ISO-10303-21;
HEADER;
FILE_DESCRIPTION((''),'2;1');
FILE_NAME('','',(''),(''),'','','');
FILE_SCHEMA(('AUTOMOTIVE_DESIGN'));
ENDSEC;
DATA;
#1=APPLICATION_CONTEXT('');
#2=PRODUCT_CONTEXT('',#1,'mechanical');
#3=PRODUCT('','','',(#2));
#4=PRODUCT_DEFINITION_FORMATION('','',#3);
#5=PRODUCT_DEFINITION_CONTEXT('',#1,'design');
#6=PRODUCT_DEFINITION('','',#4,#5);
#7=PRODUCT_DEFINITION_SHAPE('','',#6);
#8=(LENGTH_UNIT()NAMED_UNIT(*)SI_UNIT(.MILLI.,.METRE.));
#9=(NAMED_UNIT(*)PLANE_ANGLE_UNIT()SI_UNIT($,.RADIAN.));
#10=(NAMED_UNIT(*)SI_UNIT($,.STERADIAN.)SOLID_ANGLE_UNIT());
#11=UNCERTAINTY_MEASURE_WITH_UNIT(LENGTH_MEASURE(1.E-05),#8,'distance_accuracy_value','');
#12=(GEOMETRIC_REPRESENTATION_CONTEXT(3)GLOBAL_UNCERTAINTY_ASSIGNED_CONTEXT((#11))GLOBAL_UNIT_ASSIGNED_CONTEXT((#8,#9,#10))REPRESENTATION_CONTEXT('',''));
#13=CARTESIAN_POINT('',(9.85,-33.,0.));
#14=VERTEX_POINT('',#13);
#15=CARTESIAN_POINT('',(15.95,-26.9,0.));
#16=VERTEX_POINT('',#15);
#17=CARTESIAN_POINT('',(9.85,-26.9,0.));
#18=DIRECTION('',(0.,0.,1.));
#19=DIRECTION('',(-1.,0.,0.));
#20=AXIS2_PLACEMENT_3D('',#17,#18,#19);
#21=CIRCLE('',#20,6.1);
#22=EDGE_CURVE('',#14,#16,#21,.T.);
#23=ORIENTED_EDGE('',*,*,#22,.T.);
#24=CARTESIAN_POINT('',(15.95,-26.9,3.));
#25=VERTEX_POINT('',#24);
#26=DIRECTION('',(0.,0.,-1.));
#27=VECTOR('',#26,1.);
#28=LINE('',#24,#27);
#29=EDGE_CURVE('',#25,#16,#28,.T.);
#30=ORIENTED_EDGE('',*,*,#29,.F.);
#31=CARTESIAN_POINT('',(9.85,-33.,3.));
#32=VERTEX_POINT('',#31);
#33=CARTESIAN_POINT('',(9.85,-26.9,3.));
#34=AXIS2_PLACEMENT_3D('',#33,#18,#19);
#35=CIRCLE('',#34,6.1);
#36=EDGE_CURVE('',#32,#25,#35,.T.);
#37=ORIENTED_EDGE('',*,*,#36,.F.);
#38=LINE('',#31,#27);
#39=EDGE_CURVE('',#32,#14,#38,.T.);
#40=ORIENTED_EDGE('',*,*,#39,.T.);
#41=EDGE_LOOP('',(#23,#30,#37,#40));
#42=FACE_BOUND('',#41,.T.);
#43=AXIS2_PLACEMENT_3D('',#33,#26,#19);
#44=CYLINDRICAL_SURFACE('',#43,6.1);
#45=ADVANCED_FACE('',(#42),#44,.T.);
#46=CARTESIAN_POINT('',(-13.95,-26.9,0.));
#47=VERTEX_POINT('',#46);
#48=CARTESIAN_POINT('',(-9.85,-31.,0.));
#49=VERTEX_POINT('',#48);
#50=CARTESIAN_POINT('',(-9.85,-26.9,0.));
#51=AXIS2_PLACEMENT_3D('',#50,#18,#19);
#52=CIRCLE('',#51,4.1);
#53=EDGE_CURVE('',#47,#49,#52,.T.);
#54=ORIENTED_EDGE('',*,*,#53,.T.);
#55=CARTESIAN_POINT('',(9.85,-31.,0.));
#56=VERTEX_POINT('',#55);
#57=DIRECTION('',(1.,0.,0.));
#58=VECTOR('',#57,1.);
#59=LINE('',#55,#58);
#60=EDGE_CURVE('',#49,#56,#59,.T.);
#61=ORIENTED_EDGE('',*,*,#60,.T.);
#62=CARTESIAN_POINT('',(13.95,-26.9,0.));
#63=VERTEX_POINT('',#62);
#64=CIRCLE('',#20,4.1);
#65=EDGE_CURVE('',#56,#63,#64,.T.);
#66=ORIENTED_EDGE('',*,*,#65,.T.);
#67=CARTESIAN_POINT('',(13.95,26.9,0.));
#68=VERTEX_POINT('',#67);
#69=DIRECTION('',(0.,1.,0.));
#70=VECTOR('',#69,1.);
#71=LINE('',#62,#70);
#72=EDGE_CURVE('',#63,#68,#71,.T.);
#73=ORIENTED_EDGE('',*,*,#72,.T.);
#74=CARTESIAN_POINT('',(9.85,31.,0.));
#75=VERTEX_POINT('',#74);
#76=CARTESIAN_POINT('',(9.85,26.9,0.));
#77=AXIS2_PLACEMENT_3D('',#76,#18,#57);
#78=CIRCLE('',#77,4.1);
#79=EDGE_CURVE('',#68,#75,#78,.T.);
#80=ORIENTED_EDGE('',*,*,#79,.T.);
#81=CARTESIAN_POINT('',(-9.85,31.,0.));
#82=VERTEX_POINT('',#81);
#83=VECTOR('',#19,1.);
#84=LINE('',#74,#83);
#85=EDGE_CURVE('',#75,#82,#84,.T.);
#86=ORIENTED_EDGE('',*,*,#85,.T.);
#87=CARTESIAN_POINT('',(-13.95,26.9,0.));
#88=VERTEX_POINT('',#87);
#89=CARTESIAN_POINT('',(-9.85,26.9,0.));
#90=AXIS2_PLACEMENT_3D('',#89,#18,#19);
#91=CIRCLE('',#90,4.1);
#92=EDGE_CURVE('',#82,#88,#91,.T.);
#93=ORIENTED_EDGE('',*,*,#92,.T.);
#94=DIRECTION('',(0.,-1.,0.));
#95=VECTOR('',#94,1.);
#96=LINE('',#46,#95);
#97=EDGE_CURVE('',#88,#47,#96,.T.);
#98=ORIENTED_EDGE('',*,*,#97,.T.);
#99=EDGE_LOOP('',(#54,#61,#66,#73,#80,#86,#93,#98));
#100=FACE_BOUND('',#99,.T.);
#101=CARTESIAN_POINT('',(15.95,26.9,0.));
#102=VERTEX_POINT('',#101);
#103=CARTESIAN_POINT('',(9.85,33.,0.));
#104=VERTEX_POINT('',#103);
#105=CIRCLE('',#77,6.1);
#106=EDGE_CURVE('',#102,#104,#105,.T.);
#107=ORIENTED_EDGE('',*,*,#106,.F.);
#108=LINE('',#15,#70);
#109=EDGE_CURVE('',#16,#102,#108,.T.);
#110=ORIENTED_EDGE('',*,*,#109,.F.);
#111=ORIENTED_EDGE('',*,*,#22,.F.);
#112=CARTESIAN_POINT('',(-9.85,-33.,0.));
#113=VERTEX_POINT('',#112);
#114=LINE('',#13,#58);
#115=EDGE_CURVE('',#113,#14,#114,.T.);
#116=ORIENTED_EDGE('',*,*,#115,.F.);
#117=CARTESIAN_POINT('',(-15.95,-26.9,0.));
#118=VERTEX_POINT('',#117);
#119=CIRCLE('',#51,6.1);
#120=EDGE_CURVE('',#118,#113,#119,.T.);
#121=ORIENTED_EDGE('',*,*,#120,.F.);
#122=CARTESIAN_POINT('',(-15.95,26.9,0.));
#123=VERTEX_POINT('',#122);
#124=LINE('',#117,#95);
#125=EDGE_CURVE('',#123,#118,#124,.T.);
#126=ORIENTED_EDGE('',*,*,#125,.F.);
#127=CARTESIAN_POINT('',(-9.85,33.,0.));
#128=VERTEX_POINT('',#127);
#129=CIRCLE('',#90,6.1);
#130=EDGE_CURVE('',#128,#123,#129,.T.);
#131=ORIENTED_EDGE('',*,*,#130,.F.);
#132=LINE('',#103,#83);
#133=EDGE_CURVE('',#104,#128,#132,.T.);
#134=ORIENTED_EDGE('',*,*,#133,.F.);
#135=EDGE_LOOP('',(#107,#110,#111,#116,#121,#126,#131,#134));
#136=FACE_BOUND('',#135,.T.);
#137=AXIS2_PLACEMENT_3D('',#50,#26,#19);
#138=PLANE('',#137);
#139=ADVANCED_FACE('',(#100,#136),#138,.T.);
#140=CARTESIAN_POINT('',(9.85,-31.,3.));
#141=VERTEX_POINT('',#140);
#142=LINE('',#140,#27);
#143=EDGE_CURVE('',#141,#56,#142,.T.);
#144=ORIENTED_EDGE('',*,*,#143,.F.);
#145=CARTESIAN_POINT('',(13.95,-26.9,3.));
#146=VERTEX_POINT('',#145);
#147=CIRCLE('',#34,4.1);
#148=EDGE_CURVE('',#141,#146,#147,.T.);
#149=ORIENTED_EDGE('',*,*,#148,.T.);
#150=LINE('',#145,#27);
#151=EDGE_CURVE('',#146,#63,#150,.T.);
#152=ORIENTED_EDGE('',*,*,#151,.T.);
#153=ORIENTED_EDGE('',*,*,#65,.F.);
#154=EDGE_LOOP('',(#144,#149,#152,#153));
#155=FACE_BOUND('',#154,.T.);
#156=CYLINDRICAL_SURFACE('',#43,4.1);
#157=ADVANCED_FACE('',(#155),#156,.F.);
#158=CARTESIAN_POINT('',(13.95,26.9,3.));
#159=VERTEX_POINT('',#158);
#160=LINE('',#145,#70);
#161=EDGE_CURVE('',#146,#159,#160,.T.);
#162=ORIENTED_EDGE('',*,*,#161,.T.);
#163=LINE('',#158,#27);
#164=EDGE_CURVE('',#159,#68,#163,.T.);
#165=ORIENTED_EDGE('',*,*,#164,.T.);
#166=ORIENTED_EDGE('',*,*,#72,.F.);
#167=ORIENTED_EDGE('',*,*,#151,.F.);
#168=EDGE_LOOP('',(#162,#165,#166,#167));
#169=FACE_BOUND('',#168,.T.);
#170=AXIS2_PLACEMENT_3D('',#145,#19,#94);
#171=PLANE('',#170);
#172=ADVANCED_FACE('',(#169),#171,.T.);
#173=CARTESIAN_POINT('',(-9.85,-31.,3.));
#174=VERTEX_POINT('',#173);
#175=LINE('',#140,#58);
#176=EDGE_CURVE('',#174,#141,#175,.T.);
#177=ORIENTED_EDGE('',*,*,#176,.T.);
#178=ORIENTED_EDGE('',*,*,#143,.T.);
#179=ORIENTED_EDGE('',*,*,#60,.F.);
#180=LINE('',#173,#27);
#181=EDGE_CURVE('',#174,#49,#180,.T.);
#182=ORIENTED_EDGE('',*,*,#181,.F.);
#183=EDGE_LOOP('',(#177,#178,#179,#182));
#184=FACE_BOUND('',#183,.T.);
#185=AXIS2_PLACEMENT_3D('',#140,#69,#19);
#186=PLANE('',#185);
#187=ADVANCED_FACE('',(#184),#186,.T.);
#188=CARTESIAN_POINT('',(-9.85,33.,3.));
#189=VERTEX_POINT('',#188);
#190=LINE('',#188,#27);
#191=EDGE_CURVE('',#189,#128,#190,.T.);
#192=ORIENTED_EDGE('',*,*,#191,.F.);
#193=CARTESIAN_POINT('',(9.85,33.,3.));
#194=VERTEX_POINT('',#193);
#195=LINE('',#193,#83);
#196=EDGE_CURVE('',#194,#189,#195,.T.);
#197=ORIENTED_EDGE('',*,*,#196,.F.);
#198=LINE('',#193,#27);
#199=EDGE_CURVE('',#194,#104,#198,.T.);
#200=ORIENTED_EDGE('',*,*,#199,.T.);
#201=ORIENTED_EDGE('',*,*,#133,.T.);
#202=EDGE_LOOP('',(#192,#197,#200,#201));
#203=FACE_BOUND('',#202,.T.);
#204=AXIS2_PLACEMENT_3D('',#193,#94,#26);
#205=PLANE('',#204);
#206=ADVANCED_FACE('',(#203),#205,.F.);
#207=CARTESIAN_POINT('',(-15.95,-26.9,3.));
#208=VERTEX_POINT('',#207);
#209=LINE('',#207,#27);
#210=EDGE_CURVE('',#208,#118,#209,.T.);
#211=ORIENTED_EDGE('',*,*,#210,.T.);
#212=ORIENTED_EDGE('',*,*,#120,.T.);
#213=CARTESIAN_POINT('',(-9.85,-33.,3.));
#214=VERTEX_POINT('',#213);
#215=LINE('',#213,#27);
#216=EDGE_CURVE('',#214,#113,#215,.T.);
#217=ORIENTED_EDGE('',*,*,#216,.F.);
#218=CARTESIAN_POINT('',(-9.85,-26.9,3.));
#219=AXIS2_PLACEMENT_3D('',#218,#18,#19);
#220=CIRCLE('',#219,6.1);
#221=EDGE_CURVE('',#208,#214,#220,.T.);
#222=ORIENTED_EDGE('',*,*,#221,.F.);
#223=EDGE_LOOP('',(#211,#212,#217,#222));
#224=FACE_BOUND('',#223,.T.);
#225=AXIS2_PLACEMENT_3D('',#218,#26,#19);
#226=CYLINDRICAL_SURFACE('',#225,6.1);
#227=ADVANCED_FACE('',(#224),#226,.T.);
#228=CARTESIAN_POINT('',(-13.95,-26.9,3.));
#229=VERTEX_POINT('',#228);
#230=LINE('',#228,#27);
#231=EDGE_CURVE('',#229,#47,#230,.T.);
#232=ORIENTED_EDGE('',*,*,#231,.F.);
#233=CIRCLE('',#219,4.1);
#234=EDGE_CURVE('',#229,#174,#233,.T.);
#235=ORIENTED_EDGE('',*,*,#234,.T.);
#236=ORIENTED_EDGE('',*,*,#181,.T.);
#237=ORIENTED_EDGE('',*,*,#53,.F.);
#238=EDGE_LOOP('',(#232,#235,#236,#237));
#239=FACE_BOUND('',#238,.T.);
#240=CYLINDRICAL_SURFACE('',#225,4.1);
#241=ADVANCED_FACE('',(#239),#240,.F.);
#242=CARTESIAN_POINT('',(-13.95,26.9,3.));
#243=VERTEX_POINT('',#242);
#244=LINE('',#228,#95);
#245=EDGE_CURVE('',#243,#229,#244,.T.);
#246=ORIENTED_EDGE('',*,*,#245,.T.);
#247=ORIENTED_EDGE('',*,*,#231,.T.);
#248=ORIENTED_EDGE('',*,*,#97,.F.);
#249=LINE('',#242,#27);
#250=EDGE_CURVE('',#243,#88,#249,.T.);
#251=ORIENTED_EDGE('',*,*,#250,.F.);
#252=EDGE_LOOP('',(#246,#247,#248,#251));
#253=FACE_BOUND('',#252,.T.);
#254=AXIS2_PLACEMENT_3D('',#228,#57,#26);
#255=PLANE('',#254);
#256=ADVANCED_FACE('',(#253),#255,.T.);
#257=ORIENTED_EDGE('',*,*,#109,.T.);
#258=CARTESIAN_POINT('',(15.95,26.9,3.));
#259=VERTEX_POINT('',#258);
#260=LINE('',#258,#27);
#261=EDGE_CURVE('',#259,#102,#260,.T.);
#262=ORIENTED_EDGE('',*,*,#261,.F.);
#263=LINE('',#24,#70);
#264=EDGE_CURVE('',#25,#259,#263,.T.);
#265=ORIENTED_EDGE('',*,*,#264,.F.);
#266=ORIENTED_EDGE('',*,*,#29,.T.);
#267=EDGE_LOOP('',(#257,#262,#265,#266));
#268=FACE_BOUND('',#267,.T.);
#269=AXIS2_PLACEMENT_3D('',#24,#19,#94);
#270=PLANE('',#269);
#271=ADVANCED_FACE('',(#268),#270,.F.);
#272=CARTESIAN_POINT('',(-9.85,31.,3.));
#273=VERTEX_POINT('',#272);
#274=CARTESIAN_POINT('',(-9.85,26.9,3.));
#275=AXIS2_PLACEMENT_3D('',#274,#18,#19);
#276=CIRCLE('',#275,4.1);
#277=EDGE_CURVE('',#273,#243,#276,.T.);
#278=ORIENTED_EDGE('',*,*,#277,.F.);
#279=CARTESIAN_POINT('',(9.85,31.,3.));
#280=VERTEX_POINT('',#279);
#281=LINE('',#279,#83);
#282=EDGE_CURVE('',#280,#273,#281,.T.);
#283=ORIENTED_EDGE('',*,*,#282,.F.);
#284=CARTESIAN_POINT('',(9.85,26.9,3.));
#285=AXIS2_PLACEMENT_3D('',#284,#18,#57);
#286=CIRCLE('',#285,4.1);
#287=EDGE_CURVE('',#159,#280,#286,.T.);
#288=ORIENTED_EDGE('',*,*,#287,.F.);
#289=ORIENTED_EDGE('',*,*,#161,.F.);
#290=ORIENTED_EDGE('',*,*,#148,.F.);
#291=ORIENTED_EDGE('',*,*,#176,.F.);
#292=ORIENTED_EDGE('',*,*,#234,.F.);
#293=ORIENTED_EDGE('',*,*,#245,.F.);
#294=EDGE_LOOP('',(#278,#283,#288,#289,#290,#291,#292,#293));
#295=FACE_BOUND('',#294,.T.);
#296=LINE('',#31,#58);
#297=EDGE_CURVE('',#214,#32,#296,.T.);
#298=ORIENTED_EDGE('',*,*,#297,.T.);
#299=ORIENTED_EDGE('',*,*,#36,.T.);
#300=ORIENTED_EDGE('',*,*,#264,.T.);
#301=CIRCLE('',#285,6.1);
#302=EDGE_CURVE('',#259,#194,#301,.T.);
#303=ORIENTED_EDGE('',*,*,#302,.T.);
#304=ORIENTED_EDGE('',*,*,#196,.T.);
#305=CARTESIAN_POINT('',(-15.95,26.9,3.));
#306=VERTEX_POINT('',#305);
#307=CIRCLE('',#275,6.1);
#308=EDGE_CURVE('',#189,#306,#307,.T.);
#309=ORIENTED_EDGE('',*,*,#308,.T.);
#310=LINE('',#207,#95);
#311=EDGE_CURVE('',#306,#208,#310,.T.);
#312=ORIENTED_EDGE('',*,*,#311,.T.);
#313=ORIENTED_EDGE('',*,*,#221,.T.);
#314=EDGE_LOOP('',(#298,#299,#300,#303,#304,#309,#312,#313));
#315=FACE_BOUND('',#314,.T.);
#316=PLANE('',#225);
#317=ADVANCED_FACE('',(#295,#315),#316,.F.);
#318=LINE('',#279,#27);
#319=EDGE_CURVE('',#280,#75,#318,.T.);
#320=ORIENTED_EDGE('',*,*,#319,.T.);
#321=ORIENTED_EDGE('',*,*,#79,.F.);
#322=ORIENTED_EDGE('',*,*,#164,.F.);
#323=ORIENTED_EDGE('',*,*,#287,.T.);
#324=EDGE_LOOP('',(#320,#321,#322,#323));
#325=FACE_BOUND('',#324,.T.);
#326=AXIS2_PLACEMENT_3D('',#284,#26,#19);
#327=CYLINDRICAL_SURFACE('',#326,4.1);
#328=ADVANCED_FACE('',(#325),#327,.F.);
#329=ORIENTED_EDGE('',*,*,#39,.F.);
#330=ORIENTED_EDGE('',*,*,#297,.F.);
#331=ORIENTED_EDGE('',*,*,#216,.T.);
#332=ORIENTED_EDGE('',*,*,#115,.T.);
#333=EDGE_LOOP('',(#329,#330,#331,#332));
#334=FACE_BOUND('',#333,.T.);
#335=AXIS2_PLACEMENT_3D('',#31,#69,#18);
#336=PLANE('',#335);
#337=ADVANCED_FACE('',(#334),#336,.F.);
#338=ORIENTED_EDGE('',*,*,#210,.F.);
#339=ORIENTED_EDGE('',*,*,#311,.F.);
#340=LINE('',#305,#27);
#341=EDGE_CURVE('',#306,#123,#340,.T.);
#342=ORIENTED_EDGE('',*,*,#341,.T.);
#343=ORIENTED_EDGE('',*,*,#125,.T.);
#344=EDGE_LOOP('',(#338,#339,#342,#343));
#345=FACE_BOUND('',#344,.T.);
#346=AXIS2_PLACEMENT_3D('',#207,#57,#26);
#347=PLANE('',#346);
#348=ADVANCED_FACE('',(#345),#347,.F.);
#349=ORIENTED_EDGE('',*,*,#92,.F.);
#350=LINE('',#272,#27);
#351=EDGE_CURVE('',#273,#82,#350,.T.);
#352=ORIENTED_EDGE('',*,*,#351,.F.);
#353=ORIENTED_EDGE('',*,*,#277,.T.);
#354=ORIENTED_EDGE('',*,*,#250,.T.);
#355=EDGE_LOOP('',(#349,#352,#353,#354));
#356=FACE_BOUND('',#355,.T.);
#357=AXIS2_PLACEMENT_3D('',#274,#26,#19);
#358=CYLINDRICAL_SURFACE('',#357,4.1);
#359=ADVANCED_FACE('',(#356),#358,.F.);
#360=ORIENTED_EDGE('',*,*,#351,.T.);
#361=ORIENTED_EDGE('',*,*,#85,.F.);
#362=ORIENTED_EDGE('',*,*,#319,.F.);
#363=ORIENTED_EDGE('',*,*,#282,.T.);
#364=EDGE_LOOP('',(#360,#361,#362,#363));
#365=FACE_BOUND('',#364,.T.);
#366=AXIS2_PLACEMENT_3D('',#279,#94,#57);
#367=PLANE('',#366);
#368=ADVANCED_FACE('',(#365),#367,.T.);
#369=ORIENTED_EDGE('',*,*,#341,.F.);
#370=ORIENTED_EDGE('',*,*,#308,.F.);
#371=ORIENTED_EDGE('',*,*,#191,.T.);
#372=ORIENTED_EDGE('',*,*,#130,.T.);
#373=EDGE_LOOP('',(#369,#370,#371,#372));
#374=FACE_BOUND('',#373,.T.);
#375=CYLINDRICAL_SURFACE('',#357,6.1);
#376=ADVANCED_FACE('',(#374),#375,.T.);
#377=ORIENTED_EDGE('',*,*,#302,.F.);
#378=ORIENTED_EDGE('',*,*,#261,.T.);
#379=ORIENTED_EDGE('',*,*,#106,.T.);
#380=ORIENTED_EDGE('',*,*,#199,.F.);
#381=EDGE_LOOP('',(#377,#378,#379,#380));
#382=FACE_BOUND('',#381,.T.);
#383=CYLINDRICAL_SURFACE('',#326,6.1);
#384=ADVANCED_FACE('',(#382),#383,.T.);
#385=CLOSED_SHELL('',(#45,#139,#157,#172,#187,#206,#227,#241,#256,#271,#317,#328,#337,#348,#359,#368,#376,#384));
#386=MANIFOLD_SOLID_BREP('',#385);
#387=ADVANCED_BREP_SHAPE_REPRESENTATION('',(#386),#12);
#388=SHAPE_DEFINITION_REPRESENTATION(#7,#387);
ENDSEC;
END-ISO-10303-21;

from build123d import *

# Parameters (mm, degrees)
BOSS_EXTRUDE1_DEPTH = 3


with BuildPart() as part:
    # Sketch1 → Boss-Extrude1 (new body)
    with BuildSketch(Plane(origin=(0, 0, 0), x_dir=(0, 1, 0), z_dir=(0, 0, 1))):
        with BuildLine():
            Line((-26.9, 15.95), (26.9, 15.95))
            ThreePointArc((26.9, 15.95), (31.213351365, 14.163351365), (33, 9.85))
            Line((33, 9.85), (33, -9.85))
            ThreePointArc((33, -9.85), (31.213351365, -14.163351365), (26.9, -15.95))
            Line((26.9, -15.95), (-26.9, -15.95))
            ThreePointArc((-26.9, -15.95), (-31.213351365, -14.163351365), (-33, -9.85))
            Line((-33, -9.85), (-33, 9.85))
            ThreePointArc((-33, 9.85), (-31.213351365, 14.163351365), (-26.9, 15.95))
        make_face()
        with BuildLine():
            Line((-26.9, 13.95), (26.9, 13.95))
            ThreePointArc((26.9, 13.95), (29.799137803, 12.749137803), (31, 9.85))
            Line((31, 9.85), (31, -9.85))
            ThreePointArc((31, -9.85), (29.799137803, -12.749137803), (26.9, -13.95))
            Line((26.9, -13.95), (-26.9, -13.95))
            ThreePointArc((-26.9, -13.95), (-29.799137803, -12.749137803), (-31, -9.85))
            Line((-31, -9.85), (-31, 9.85))
            ThreePointArc((-31, 9.85), (-29.799137803, 12.749137803), (-26.9, 13.95))
        make_face(mode=Mode.SUBTRACT)
    extrude(amount=BOSS_EXTRUDE1_DEPTH)


solid = part.part
